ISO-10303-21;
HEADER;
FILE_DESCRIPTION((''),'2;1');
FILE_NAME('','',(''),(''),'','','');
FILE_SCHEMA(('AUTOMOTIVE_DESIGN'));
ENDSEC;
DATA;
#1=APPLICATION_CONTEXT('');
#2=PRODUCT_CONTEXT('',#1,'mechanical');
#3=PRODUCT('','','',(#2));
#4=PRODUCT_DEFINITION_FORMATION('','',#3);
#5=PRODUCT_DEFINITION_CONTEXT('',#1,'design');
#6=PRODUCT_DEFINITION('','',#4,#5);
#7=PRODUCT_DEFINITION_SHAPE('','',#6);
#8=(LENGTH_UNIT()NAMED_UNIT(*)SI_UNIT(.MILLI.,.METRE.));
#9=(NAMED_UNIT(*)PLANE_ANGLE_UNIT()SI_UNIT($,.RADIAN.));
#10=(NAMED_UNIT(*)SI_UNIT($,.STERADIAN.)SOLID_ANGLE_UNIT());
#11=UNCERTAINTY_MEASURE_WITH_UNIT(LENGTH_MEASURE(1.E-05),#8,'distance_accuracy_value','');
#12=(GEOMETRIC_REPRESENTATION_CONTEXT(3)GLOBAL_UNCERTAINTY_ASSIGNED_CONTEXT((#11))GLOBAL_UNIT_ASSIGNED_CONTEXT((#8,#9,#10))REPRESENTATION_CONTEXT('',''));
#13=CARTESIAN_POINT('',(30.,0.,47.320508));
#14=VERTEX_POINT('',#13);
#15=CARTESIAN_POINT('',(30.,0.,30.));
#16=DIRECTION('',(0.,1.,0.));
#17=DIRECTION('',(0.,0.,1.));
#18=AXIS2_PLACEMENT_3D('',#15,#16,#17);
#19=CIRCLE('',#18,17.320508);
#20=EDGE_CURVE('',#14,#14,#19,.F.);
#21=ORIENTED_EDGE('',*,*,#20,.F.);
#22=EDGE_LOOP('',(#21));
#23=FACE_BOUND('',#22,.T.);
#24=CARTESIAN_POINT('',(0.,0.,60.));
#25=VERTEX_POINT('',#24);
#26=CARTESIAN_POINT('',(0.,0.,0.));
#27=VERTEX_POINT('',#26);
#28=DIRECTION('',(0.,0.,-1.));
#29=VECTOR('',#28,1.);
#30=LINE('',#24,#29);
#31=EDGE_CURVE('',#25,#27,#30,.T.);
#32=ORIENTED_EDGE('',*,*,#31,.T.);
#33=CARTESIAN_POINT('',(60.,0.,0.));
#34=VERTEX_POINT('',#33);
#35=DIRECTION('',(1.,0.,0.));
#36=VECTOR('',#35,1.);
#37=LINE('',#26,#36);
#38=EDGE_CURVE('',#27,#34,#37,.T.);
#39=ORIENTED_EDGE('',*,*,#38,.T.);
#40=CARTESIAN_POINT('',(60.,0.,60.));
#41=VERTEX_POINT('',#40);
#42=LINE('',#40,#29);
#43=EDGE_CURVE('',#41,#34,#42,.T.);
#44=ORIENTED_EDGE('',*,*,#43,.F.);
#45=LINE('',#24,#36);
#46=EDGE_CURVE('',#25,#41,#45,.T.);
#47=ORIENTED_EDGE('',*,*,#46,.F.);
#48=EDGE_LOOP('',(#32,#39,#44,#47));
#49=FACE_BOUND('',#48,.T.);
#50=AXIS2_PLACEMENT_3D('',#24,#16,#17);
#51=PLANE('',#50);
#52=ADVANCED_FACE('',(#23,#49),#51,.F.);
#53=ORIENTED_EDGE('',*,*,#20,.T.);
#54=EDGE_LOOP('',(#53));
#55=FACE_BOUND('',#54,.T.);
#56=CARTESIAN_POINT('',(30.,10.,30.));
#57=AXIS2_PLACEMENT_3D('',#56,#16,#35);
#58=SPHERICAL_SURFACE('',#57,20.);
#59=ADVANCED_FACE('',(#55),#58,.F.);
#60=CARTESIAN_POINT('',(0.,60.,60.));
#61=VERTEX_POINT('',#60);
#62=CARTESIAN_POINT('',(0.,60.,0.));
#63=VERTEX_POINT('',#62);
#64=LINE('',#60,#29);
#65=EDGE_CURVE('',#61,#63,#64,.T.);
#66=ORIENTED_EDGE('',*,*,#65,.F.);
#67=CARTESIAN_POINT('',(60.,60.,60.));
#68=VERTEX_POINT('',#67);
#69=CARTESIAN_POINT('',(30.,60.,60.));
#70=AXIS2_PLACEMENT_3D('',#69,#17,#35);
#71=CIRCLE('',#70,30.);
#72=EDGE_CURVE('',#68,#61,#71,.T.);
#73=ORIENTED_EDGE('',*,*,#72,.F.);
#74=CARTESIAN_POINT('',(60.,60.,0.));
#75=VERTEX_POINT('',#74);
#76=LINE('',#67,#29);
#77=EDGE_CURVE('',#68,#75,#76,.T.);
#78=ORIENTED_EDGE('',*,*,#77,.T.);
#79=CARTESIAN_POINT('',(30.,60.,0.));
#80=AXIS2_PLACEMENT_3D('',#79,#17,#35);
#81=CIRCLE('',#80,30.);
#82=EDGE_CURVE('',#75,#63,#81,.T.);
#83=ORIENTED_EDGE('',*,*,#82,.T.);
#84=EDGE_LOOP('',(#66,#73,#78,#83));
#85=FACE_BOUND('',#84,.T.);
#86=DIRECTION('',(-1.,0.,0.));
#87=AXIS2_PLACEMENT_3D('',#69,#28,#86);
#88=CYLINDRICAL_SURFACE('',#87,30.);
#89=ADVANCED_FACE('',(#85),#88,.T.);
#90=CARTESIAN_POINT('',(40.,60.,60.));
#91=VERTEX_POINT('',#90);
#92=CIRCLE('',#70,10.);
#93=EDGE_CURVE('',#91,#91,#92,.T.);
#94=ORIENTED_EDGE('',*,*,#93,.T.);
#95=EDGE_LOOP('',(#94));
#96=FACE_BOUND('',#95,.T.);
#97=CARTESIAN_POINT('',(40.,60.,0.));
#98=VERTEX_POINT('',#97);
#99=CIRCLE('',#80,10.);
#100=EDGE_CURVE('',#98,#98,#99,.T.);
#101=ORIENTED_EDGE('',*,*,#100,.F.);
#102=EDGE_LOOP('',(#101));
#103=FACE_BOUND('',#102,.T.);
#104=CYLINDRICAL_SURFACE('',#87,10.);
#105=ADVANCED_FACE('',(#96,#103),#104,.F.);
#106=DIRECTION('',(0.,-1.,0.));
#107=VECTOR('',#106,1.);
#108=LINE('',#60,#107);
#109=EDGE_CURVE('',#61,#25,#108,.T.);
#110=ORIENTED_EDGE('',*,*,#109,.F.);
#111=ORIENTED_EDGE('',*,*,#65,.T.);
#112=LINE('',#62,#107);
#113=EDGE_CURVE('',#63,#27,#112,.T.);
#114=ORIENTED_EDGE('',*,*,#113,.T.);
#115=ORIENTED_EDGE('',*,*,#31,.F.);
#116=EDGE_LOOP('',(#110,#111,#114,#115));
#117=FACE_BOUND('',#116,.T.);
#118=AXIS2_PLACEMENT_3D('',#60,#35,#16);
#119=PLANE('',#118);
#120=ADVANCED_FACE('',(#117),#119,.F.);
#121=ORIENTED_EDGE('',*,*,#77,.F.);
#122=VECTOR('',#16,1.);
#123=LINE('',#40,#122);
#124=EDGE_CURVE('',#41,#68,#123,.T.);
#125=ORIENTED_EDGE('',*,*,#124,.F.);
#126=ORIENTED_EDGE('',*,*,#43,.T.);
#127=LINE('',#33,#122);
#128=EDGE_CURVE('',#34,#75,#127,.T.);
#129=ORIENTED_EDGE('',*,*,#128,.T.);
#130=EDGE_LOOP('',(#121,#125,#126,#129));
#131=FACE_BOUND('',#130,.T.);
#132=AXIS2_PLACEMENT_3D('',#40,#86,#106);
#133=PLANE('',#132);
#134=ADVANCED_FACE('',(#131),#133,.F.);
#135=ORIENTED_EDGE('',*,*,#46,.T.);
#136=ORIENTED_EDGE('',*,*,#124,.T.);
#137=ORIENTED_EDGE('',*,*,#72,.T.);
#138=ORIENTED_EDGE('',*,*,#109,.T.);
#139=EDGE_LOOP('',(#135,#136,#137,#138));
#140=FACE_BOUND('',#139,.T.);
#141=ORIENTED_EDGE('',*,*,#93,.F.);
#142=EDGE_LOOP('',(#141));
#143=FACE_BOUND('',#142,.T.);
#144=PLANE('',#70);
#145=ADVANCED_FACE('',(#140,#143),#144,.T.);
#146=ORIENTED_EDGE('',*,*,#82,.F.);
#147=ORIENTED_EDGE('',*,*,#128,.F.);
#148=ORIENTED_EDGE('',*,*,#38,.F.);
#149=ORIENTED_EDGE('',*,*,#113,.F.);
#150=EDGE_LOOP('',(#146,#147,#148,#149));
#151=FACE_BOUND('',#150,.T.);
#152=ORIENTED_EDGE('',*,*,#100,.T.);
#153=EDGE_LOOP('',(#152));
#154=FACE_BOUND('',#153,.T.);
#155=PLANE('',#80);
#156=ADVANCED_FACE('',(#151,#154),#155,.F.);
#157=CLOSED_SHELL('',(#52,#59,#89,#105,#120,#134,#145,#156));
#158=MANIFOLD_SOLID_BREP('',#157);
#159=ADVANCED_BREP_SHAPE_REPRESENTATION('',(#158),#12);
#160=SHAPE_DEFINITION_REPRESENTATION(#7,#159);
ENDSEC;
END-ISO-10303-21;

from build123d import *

# Parameters (mm, degrees)
SKETCH1_R           = 10
BOSS_EXTRUDE1_DEPTH = 60


with BuildPart() as part:
    # Sketch1 → Boss-Extrude1 (new body)
    with BuildSketch(Plane.XY):
        with BuildLine():
            Line((0, 0), (60, 0))
            Line((60, 0), (60, 60))
            ThreePointArc((60, 60), (30, 90), (0, 60))
            Line((0, 60), (0, 0))
        make_face()
        with Locations((30, 60)):
            Circle(SKETCH1_R, mode=Mode.SUBTRACT)
    extrude(amount=BOSS_EXTRUDE1_DEPTH)

    # Sketch4 → Cut-Revolve1 (revolve, cut)
    with BuildSketch(Plane.XY.offset(30)):
        with BuildLine():
            Line((30, 30), (30, -10))
            ThreePointArc((30, -10), (50, 10), (30, 30))
        make_face()
    revolve(axis=Axis((30, 30, 30), (0, -1, 0)), mode=Mode.SUBTRACT)


solid = part.part
